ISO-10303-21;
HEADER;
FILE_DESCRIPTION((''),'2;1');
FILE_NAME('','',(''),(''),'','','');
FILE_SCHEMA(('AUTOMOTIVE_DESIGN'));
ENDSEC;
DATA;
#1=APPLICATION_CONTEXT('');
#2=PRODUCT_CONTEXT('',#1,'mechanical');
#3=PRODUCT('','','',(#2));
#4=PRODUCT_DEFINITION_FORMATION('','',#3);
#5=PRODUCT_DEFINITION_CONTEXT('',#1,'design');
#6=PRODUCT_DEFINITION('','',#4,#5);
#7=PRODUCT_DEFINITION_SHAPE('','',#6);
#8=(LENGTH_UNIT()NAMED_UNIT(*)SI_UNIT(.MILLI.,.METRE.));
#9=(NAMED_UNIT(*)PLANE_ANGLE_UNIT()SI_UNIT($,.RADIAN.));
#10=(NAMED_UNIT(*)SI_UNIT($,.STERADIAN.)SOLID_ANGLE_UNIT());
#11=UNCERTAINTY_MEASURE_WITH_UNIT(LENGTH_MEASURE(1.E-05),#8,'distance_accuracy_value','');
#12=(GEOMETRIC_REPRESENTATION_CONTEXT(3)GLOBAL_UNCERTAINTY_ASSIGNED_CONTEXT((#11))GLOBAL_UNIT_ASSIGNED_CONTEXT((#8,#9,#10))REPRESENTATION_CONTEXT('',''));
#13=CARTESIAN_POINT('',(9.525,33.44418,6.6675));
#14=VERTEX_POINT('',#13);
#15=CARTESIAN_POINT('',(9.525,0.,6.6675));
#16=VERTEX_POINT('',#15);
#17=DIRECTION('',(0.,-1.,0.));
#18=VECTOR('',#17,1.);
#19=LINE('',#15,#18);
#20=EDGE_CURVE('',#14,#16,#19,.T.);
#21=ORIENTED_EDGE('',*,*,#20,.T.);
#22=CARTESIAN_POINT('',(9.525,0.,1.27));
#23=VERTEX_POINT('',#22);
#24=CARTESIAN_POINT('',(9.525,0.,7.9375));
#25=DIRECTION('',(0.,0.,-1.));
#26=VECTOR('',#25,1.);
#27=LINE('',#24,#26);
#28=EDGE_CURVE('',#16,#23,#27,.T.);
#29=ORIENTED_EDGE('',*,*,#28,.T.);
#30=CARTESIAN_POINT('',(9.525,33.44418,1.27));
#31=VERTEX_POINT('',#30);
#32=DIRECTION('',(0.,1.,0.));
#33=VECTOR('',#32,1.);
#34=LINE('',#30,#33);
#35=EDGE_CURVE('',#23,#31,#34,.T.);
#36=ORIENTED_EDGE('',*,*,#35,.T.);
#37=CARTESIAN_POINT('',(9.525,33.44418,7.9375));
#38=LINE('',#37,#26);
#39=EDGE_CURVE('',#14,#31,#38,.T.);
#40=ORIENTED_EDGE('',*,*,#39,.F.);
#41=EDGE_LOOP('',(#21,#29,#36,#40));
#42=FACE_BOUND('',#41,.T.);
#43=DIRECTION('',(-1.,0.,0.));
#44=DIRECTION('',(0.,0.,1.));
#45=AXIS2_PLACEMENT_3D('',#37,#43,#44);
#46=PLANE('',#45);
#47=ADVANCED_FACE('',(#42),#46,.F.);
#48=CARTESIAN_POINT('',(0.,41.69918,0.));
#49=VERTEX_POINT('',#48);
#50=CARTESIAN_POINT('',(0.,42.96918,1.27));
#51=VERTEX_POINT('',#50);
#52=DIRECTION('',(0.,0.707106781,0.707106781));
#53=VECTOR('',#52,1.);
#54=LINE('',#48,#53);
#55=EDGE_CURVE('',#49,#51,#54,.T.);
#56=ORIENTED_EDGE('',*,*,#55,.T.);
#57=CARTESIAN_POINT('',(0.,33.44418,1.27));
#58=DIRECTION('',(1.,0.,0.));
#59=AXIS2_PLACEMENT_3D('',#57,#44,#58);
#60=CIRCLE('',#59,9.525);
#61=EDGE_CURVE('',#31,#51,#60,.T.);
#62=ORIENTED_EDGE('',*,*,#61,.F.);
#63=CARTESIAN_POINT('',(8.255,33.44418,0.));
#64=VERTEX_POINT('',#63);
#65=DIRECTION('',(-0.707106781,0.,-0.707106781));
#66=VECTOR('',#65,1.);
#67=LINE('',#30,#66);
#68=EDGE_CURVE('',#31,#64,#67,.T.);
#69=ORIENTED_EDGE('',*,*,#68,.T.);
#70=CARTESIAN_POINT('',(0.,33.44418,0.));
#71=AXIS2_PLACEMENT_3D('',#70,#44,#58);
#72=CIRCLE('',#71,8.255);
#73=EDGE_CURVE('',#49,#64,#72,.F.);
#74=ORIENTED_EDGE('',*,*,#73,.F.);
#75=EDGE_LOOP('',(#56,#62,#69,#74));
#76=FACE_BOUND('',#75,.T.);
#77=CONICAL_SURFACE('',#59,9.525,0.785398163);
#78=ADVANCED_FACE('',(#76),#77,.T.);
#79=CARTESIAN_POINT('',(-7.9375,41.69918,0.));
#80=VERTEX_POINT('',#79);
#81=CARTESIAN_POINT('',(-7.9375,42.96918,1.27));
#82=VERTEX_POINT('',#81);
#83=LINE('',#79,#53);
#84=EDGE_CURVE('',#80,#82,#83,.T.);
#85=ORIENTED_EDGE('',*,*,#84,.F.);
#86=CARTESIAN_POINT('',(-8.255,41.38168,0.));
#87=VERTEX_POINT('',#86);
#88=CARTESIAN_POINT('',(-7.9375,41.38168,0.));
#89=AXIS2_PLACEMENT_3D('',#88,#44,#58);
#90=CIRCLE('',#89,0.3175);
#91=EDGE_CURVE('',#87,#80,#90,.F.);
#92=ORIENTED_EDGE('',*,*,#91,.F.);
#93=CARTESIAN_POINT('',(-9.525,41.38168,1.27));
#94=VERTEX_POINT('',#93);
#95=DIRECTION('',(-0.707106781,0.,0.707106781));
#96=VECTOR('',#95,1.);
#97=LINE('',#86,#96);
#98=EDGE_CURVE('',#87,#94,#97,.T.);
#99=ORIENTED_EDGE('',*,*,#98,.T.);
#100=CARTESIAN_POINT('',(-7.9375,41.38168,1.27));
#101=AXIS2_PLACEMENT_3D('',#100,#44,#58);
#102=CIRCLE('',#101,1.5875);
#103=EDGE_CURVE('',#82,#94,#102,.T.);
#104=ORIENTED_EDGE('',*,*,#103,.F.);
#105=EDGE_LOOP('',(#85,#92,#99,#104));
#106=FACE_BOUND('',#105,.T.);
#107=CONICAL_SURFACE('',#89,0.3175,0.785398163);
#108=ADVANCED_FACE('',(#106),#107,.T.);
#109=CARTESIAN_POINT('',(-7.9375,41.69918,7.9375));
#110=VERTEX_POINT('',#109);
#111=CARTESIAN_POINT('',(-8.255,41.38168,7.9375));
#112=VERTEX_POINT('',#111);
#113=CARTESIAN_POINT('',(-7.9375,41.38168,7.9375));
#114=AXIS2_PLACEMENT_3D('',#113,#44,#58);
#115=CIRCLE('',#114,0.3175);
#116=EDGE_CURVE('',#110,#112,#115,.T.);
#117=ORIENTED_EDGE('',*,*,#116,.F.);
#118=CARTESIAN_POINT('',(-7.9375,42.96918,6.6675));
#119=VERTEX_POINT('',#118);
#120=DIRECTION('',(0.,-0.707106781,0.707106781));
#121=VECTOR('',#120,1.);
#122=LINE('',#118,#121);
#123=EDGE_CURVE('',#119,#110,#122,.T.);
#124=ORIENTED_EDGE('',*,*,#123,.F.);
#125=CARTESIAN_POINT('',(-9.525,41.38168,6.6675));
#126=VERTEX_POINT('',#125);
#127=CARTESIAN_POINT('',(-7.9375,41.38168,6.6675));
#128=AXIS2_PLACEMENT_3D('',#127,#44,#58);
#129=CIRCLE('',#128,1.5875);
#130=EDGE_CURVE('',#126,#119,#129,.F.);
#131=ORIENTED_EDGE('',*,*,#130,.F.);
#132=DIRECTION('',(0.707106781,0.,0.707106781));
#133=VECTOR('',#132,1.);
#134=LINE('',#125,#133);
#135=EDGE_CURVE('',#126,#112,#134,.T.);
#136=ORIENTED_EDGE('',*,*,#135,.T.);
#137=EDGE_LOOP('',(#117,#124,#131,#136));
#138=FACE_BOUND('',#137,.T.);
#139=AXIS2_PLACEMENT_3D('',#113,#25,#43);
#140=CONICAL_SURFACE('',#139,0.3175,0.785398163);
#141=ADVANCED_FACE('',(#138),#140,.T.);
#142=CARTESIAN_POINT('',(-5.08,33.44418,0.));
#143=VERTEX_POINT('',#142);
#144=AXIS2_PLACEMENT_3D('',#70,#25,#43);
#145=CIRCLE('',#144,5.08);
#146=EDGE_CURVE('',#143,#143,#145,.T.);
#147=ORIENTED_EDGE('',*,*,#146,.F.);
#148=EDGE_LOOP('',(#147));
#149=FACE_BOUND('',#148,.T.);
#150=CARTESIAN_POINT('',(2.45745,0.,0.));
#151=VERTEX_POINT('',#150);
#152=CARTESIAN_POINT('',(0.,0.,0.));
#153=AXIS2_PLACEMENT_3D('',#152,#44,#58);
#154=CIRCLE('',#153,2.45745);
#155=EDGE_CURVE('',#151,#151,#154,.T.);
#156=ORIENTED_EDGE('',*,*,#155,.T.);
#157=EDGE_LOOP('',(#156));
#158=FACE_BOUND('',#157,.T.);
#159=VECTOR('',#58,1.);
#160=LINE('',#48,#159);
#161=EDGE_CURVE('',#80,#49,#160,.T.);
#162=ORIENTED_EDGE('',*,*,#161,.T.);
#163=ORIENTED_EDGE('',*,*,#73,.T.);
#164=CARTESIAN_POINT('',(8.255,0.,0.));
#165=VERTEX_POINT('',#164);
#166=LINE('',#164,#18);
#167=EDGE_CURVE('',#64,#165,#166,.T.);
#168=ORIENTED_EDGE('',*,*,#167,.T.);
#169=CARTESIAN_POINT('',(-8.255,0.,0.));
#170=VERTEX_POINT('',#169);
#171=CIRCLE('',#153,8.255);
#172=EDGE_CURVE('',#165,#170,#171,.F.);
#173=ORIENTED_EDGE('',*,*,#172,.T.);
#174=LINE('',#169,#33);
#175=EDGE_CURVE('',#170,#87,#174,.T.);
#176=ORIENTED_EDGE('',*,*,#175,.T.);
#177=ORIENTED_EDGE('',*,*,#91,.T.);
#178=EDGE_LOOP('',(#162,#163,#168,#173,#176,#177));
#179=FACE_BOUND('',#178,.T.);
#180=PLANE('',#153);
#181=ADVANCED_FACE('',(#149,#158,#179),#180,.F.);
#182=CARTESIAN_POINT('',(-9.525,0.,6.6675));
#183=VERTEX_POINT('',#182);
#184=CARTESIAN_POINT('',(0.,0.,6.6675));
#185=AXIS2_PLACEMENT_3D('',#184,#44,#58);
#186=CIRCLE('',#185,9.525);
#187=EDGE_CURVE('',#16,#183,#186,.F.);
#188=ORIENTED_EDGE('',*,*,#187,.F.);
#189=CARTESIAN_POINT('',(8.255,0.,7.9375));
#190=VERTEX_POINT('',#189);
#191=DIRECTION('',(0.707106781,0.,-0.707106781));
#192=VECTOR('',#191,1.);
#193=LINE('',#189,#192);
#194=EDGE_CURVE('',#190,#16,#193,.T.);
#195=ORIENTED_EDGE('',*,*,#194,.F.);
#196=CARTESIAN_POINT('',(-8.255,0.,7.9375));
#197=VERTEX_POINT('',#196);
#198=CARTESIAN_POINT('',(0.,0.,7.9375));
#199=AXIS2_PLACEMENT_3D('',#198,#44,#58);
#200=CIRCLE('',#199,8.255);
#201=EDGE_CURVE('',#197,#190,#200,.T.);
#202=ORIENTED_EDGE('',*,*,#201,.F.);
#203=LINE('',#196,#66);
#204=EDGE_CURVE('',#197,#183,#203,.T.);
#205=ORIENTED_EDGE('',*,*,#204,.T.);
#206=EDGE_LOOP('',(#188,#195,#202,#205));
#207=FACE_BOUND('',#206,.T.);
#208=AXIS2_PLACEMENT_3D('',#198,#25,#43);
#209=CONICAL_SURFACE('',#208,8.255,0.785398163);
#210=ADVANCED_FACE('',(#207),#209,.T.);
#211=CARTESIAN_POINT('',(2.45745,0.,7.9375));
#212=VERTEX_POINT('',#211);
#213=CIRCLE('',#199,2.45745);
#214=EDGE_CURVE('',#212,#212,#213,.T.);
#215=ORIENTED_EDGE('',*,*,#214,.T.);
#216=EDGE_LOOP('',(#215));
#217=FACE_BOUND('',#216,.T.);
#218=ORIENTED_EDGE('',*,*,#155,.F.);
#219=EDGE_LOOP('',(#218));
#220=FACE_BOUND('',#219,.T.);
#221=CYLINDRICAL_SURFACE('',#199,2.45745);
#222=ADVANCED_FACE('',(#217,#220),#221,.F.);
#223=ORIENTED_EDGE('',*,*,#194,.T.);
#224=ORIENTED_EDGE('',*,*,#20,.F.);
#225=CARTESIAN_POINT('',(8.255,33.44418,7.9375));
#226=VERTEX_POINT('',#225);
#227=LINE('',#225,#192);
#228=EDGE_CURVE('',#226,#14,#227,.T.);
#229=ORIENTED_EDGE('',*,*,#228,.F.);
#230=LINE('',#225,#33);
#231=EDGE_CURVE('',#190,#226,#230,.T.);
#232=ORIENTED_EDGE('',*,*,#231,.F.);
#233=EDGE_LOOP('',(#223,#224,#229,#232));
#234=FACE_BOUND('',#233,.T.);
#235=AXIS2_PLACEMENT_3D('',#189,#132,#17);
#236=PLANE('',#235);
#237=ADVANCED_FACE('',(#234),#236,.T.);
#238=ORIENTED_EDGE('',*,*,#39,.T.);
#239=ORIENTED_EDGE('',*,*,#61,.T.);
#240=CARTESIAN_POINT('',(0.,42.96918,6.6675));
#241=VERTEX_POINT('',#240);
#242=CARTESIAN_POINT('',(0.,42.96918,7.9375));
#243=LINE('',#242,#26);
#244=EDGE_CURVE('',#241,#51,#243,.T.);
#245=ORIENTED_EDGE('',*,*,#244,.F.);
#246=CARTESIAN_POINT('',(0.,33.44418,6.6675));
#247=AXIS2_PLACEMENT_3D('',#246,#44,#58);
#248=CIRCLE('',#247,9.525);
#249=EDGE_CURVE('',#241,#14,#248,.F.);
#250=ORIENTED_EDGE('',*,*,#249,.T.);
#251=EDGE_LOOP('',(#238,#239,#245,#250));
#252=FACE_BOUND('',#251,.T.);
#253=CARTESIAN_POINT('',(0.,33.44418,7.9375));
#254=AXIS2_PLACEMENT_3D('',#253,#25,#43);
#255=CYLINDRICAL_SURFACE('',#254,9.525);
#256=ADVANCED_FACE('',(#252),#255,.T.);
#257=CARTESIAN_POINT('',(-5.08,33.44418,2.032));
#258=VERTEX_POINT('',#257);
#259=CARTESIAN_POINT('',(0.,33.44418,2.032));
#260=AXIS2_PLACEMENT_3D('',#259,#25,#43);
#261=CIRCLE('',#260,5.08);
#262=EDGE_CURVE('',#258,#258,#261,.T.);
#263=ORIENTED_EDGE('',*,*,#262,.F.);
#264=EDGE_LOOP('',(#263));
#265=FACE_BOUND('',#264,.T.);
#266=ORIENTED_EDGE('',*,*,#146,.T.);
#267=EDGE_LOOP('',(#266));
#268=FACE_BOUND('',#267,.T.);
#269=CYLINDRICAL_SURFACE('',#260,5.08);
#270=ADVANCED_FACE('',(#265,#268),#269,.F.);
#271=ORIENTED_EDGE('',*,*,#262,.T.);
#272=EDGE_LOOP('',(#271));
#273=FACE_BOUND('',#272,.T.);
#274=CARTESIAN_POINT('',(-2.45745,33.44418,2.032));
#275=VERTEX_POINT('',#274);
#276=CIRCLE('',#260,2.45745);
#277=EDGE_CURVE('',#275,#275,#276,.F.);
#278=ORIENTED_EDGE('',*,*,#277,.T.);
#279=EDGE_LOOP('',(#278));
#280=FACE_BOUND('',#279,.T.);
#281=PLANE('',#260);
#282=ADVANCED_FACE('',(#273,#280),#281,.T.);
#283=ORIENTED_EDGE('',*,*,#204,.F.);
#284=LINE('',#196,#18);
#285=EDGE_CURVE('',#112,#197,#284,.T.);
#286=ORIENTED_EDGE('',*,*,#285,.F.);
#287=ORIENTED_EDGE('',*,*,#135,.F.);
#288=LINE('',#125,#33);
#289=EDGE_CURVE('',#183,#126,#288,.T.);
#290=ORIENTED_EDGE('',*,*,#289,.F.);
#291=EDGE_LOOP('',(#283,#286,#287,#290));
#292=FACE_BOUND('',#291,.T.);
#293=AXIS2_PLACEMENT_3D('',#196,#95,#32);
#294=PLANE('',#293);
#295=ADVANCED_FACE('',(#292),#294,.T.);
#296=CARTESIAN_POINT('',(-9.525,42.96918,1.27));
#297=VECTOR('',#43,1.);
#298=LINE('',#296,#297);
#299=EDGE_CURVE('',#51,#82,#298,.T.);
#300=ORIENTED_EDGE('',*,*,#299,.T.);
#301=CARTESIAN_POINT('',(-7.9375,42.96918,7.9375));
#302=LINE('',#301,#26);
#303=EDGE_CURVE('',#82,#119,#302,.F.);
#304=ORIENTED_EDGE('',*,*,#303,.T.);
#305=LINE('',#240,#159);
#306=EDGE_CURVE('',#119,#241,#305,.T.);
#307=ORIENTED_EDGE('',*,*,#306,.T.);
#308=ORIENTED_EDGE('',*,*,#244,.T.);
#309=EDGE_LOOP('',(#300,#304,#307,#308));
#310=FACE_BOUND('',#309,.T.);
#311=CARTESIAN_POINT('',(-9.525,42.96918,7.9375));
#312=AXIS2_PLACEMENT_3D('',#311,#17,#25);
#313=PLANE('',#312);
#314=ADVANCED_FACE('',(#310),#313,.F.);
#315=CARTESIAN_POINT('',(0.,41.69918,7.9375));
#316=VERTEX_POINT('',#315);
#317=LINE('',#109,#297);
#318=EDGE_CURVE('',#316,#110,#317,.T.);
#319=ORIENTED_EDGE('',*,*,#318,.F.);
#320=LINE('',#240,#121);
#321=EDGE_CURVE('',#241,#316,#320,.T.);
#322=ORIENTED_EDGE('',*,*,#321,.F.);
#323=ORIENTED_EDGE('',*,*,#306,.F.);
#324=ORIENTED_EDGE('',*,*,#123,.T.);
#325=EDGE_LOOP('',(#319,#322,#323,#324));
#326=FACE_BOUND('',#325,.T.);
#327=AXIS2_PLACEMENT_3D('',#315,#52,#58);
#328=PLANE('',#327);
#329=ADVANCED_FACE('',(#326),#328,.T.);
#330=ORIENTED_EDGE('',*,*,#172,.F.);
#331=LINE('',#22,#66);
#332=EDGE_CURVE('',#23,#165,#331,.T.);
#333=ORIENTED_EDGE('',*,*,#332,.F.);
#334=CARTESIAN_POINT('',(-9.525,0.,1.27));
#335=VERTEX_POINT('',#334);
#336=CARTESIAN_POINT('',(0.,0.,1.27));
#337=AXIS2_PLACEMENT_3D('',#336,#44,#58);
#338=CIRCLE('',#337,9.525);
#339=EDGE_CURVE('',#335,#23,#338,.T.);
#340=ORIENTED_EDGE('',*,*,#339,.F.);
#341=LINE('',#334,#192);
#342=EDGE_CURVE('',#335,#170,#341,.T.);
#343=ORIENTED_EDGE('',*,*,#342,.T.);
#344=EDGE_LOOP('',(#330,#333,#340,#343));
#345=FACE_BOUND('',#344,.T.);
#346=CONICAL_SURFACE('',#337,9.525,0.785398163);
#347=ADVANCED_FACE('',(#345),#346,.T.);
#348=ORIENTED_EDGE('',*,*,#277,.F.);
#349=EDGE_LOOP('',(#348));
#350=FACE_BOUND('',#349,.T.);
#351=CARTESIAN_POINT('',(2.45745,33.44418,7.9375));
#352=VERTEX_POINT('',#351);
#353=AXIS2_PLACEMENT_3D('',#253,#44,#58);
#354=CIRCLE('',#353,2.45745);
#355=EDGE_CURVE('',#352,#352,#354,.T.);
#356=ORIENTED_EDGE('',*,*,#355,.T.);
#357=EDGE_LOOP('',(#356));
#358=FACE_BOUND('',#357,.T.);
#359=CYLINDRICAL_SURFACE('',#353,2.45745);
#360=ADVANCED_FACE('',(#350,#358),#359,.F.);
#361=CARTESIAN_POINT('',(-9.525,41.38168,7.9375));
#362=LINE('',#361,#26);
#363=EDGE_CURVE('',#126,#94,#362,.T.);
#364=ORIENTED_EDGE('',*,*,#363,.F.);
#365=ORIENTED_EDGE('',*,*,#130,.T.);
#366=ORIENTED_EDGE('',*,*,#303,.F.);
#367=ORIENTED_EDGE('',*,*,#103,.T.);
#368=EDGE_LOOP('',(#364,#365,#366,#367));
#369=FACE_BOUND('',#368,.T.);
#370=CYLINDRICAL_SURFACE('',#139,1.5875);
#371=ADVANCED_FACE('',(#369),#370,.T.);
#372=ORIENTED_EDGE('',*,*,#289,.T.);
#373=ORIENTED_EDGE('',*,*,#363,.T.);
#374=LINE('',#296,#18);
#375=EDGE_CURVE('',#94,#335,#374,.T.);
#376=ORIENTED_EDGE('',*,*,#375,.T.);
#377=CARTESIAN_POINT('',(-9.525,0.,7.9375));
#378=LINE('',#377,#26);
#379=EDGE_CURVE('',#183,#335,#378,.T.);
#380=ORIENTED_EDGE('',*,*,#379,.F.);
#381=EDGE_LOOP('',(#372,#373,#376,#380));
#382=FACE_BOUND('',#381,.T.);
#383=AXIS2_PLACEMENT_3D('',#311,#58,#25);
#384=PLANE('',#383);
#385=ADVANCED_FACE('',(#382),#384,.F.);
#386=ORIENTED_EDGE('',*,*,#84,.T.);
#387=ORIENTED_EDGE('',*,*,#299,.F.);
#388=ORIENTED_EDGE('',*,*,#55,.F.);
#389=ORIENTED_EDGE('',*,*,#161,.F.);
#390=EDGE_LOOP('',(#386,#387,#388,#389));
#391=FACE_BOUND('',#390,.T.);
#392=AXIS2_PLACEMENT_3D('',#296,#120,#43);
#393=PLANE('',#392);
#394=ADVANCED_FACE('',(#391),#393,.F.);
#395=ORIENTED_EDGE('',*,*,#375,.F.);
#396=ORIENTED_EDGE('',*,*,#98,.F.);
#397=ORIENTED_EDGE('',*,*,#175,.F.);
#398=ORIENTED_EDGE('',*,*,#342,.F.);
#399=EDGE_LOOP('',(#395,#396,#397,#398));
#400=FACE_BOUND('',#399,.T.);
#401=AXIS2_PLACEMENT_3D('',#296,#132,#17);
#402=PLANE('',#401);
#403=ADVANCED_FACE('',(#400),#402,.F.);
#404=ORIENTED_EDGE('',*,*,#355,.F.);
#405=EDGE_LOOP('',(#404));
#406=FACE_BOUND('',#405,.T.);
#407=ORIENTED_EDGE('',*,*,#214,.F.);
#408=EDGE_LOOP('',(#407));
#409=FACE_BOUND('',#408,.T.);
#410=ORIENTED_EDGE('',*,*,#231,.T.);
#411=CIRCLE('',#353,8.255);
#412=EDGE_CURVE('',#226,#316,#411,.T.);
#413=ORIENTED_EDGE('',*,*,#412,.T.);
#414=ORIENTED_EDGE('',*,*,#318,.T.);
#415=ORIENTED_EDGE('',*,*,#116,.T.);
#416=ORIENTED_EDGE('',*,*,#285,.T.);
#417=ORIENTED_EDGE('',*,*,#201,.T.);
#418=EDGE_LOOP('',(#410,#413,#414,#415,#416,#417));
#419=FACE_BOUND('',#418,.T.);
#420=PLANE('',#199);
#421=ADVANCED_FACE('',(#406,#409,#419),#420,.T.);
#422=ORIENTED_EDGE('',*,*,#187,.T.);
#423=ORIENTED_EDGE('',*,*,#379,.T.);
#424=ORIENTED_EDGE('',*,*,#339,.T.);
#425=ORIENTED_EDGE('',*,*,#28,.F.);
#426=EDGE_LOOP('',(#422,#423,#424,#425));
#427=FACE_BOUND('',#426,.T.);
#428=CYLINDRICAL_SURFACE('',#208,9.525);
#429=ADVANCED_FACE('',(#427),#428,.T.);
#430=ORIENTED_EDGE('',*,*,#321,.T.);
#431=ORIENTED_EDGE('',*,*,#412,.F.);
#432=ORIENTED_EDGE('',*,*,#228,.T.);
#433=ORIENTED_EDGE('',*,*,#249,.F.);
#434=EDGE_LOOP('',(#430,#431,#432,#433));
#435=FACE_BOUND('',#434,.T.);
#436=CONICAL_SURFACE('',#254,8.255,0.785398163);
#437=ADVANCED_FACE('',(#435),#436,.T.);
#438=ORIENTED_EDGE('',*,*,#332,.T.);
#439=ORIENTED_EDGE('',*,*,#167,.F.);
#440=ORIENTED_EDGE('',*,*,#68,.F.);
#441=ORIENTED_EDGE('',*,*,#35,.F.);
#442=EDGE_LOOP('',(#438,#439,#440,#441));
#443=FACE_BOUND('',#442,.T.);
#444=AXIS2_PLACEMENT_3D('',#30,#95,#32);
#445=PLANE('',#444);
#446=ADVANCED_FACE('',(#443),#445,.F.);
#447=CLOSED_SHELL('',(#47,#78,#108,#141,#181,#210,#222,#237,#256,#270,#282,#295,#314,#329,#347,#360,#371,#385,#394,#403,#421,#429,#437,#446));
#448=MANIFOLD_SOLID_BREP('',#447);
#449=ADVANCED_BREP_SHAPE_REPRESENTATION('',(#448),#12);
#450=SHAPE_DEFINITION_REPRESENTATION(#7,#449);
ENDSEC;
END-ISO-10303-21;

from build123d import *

# Parameters (mm, degrees)
BOSS_EXTRUDE1_DEPTH   = 7.9375
F_8_CLEARANCE_HOLE1_D = 4.9149
F_8_CLEARANCE_HOLE2_D = 4.9149
SKETCH7_R             = 5.08
CUT_EXTRUDE1_DEPTH    = 2.032
FILLET1_R             = 1.5875
CHAMFER2_SIZE         = 1.27


with BuildPart() as part:
    # Sketch2 → Boss-Extrude1 (new body)
    with BuildSketch(Plane.XY):
        with BuildLine():
            Line((-9.525, 42.96918), (-9.525, 0))
            ThreePointArc((-9.525, 0), (0, -9.525), (9.525, 0))
            Line((9.525, 0), (9.525, 33.44418))
            ThreePointArc((9.525, 33.44418), (6.735192091, 40.179372091), (0, 42.96918))
            Line((0, 42.96918), (-9.525, 42.96918))
        make_face()
    extrude(amount=BOSS_EXTRUDE1_DEPTH)

    # #8 Clearance Hole1 (through all)
    with Locations(Plane.XY.offset(7.9375)):
        with Locations((0, 0)):
            Hole(F_8_CLEARANCE_HOLE1_D / 2)

    # #8 Clearance Hole2 (through all)
    with Locations(Plane.XY.offset(7.9375)):
        with Locations((0, 33.44418)):
            Hole(F_8_CLEARANCE_HOLE2_D / 2)

    # Sketch7 → Cut-Extrude1 (cut)
    with BuildSketch(Plane(origin=(0, 0, 0), x_dir=(-1, 0, 0), z_dir=(0, 0, -1))):
        with Locations((0, 33.44418)):
            Circle(SKETCH7_R)
    extrude(amount=-CUT_EXTRUDE1_DEPTH, mode=Mode.SUBTRACT)

    # Fillet1
    fillet1_edges = [part.edges().sort_by_distance(p)[0] for p in [
        (-9.525, 42.96918, 3.96875),
    ]]
    fillet(fillet1_edges, radius=FILLET1_R)

    # Chamfer2
    chamfer2_edges = [part.edges().sort_by_distance(p)[0] for p in [
        (6.735192091, 40.179372091, 7.9375),
        (-3.96875, 42.96918, 7.9375),
        (-9.525, 20.69084, 0),
        (-9.525, 20.69084, 7.9375),
        (-9.060032015, 42.504212015, 0),
        (-9.060032015, 42.504212015, 7.9375),
        (0, -9.525, 7.9375),
        (-3.96875, 42.96918, 0),
        (6.735192091, 40.179372091, 0),
        (9.525, 16.72209, 0),
        (0, -9.525, 0),
        (9.525, 16.72209, 7.9375),
    ]]
    chamfer(chamfer2_edges, length=CHAMFER2_SIZE)


solid = part.part
